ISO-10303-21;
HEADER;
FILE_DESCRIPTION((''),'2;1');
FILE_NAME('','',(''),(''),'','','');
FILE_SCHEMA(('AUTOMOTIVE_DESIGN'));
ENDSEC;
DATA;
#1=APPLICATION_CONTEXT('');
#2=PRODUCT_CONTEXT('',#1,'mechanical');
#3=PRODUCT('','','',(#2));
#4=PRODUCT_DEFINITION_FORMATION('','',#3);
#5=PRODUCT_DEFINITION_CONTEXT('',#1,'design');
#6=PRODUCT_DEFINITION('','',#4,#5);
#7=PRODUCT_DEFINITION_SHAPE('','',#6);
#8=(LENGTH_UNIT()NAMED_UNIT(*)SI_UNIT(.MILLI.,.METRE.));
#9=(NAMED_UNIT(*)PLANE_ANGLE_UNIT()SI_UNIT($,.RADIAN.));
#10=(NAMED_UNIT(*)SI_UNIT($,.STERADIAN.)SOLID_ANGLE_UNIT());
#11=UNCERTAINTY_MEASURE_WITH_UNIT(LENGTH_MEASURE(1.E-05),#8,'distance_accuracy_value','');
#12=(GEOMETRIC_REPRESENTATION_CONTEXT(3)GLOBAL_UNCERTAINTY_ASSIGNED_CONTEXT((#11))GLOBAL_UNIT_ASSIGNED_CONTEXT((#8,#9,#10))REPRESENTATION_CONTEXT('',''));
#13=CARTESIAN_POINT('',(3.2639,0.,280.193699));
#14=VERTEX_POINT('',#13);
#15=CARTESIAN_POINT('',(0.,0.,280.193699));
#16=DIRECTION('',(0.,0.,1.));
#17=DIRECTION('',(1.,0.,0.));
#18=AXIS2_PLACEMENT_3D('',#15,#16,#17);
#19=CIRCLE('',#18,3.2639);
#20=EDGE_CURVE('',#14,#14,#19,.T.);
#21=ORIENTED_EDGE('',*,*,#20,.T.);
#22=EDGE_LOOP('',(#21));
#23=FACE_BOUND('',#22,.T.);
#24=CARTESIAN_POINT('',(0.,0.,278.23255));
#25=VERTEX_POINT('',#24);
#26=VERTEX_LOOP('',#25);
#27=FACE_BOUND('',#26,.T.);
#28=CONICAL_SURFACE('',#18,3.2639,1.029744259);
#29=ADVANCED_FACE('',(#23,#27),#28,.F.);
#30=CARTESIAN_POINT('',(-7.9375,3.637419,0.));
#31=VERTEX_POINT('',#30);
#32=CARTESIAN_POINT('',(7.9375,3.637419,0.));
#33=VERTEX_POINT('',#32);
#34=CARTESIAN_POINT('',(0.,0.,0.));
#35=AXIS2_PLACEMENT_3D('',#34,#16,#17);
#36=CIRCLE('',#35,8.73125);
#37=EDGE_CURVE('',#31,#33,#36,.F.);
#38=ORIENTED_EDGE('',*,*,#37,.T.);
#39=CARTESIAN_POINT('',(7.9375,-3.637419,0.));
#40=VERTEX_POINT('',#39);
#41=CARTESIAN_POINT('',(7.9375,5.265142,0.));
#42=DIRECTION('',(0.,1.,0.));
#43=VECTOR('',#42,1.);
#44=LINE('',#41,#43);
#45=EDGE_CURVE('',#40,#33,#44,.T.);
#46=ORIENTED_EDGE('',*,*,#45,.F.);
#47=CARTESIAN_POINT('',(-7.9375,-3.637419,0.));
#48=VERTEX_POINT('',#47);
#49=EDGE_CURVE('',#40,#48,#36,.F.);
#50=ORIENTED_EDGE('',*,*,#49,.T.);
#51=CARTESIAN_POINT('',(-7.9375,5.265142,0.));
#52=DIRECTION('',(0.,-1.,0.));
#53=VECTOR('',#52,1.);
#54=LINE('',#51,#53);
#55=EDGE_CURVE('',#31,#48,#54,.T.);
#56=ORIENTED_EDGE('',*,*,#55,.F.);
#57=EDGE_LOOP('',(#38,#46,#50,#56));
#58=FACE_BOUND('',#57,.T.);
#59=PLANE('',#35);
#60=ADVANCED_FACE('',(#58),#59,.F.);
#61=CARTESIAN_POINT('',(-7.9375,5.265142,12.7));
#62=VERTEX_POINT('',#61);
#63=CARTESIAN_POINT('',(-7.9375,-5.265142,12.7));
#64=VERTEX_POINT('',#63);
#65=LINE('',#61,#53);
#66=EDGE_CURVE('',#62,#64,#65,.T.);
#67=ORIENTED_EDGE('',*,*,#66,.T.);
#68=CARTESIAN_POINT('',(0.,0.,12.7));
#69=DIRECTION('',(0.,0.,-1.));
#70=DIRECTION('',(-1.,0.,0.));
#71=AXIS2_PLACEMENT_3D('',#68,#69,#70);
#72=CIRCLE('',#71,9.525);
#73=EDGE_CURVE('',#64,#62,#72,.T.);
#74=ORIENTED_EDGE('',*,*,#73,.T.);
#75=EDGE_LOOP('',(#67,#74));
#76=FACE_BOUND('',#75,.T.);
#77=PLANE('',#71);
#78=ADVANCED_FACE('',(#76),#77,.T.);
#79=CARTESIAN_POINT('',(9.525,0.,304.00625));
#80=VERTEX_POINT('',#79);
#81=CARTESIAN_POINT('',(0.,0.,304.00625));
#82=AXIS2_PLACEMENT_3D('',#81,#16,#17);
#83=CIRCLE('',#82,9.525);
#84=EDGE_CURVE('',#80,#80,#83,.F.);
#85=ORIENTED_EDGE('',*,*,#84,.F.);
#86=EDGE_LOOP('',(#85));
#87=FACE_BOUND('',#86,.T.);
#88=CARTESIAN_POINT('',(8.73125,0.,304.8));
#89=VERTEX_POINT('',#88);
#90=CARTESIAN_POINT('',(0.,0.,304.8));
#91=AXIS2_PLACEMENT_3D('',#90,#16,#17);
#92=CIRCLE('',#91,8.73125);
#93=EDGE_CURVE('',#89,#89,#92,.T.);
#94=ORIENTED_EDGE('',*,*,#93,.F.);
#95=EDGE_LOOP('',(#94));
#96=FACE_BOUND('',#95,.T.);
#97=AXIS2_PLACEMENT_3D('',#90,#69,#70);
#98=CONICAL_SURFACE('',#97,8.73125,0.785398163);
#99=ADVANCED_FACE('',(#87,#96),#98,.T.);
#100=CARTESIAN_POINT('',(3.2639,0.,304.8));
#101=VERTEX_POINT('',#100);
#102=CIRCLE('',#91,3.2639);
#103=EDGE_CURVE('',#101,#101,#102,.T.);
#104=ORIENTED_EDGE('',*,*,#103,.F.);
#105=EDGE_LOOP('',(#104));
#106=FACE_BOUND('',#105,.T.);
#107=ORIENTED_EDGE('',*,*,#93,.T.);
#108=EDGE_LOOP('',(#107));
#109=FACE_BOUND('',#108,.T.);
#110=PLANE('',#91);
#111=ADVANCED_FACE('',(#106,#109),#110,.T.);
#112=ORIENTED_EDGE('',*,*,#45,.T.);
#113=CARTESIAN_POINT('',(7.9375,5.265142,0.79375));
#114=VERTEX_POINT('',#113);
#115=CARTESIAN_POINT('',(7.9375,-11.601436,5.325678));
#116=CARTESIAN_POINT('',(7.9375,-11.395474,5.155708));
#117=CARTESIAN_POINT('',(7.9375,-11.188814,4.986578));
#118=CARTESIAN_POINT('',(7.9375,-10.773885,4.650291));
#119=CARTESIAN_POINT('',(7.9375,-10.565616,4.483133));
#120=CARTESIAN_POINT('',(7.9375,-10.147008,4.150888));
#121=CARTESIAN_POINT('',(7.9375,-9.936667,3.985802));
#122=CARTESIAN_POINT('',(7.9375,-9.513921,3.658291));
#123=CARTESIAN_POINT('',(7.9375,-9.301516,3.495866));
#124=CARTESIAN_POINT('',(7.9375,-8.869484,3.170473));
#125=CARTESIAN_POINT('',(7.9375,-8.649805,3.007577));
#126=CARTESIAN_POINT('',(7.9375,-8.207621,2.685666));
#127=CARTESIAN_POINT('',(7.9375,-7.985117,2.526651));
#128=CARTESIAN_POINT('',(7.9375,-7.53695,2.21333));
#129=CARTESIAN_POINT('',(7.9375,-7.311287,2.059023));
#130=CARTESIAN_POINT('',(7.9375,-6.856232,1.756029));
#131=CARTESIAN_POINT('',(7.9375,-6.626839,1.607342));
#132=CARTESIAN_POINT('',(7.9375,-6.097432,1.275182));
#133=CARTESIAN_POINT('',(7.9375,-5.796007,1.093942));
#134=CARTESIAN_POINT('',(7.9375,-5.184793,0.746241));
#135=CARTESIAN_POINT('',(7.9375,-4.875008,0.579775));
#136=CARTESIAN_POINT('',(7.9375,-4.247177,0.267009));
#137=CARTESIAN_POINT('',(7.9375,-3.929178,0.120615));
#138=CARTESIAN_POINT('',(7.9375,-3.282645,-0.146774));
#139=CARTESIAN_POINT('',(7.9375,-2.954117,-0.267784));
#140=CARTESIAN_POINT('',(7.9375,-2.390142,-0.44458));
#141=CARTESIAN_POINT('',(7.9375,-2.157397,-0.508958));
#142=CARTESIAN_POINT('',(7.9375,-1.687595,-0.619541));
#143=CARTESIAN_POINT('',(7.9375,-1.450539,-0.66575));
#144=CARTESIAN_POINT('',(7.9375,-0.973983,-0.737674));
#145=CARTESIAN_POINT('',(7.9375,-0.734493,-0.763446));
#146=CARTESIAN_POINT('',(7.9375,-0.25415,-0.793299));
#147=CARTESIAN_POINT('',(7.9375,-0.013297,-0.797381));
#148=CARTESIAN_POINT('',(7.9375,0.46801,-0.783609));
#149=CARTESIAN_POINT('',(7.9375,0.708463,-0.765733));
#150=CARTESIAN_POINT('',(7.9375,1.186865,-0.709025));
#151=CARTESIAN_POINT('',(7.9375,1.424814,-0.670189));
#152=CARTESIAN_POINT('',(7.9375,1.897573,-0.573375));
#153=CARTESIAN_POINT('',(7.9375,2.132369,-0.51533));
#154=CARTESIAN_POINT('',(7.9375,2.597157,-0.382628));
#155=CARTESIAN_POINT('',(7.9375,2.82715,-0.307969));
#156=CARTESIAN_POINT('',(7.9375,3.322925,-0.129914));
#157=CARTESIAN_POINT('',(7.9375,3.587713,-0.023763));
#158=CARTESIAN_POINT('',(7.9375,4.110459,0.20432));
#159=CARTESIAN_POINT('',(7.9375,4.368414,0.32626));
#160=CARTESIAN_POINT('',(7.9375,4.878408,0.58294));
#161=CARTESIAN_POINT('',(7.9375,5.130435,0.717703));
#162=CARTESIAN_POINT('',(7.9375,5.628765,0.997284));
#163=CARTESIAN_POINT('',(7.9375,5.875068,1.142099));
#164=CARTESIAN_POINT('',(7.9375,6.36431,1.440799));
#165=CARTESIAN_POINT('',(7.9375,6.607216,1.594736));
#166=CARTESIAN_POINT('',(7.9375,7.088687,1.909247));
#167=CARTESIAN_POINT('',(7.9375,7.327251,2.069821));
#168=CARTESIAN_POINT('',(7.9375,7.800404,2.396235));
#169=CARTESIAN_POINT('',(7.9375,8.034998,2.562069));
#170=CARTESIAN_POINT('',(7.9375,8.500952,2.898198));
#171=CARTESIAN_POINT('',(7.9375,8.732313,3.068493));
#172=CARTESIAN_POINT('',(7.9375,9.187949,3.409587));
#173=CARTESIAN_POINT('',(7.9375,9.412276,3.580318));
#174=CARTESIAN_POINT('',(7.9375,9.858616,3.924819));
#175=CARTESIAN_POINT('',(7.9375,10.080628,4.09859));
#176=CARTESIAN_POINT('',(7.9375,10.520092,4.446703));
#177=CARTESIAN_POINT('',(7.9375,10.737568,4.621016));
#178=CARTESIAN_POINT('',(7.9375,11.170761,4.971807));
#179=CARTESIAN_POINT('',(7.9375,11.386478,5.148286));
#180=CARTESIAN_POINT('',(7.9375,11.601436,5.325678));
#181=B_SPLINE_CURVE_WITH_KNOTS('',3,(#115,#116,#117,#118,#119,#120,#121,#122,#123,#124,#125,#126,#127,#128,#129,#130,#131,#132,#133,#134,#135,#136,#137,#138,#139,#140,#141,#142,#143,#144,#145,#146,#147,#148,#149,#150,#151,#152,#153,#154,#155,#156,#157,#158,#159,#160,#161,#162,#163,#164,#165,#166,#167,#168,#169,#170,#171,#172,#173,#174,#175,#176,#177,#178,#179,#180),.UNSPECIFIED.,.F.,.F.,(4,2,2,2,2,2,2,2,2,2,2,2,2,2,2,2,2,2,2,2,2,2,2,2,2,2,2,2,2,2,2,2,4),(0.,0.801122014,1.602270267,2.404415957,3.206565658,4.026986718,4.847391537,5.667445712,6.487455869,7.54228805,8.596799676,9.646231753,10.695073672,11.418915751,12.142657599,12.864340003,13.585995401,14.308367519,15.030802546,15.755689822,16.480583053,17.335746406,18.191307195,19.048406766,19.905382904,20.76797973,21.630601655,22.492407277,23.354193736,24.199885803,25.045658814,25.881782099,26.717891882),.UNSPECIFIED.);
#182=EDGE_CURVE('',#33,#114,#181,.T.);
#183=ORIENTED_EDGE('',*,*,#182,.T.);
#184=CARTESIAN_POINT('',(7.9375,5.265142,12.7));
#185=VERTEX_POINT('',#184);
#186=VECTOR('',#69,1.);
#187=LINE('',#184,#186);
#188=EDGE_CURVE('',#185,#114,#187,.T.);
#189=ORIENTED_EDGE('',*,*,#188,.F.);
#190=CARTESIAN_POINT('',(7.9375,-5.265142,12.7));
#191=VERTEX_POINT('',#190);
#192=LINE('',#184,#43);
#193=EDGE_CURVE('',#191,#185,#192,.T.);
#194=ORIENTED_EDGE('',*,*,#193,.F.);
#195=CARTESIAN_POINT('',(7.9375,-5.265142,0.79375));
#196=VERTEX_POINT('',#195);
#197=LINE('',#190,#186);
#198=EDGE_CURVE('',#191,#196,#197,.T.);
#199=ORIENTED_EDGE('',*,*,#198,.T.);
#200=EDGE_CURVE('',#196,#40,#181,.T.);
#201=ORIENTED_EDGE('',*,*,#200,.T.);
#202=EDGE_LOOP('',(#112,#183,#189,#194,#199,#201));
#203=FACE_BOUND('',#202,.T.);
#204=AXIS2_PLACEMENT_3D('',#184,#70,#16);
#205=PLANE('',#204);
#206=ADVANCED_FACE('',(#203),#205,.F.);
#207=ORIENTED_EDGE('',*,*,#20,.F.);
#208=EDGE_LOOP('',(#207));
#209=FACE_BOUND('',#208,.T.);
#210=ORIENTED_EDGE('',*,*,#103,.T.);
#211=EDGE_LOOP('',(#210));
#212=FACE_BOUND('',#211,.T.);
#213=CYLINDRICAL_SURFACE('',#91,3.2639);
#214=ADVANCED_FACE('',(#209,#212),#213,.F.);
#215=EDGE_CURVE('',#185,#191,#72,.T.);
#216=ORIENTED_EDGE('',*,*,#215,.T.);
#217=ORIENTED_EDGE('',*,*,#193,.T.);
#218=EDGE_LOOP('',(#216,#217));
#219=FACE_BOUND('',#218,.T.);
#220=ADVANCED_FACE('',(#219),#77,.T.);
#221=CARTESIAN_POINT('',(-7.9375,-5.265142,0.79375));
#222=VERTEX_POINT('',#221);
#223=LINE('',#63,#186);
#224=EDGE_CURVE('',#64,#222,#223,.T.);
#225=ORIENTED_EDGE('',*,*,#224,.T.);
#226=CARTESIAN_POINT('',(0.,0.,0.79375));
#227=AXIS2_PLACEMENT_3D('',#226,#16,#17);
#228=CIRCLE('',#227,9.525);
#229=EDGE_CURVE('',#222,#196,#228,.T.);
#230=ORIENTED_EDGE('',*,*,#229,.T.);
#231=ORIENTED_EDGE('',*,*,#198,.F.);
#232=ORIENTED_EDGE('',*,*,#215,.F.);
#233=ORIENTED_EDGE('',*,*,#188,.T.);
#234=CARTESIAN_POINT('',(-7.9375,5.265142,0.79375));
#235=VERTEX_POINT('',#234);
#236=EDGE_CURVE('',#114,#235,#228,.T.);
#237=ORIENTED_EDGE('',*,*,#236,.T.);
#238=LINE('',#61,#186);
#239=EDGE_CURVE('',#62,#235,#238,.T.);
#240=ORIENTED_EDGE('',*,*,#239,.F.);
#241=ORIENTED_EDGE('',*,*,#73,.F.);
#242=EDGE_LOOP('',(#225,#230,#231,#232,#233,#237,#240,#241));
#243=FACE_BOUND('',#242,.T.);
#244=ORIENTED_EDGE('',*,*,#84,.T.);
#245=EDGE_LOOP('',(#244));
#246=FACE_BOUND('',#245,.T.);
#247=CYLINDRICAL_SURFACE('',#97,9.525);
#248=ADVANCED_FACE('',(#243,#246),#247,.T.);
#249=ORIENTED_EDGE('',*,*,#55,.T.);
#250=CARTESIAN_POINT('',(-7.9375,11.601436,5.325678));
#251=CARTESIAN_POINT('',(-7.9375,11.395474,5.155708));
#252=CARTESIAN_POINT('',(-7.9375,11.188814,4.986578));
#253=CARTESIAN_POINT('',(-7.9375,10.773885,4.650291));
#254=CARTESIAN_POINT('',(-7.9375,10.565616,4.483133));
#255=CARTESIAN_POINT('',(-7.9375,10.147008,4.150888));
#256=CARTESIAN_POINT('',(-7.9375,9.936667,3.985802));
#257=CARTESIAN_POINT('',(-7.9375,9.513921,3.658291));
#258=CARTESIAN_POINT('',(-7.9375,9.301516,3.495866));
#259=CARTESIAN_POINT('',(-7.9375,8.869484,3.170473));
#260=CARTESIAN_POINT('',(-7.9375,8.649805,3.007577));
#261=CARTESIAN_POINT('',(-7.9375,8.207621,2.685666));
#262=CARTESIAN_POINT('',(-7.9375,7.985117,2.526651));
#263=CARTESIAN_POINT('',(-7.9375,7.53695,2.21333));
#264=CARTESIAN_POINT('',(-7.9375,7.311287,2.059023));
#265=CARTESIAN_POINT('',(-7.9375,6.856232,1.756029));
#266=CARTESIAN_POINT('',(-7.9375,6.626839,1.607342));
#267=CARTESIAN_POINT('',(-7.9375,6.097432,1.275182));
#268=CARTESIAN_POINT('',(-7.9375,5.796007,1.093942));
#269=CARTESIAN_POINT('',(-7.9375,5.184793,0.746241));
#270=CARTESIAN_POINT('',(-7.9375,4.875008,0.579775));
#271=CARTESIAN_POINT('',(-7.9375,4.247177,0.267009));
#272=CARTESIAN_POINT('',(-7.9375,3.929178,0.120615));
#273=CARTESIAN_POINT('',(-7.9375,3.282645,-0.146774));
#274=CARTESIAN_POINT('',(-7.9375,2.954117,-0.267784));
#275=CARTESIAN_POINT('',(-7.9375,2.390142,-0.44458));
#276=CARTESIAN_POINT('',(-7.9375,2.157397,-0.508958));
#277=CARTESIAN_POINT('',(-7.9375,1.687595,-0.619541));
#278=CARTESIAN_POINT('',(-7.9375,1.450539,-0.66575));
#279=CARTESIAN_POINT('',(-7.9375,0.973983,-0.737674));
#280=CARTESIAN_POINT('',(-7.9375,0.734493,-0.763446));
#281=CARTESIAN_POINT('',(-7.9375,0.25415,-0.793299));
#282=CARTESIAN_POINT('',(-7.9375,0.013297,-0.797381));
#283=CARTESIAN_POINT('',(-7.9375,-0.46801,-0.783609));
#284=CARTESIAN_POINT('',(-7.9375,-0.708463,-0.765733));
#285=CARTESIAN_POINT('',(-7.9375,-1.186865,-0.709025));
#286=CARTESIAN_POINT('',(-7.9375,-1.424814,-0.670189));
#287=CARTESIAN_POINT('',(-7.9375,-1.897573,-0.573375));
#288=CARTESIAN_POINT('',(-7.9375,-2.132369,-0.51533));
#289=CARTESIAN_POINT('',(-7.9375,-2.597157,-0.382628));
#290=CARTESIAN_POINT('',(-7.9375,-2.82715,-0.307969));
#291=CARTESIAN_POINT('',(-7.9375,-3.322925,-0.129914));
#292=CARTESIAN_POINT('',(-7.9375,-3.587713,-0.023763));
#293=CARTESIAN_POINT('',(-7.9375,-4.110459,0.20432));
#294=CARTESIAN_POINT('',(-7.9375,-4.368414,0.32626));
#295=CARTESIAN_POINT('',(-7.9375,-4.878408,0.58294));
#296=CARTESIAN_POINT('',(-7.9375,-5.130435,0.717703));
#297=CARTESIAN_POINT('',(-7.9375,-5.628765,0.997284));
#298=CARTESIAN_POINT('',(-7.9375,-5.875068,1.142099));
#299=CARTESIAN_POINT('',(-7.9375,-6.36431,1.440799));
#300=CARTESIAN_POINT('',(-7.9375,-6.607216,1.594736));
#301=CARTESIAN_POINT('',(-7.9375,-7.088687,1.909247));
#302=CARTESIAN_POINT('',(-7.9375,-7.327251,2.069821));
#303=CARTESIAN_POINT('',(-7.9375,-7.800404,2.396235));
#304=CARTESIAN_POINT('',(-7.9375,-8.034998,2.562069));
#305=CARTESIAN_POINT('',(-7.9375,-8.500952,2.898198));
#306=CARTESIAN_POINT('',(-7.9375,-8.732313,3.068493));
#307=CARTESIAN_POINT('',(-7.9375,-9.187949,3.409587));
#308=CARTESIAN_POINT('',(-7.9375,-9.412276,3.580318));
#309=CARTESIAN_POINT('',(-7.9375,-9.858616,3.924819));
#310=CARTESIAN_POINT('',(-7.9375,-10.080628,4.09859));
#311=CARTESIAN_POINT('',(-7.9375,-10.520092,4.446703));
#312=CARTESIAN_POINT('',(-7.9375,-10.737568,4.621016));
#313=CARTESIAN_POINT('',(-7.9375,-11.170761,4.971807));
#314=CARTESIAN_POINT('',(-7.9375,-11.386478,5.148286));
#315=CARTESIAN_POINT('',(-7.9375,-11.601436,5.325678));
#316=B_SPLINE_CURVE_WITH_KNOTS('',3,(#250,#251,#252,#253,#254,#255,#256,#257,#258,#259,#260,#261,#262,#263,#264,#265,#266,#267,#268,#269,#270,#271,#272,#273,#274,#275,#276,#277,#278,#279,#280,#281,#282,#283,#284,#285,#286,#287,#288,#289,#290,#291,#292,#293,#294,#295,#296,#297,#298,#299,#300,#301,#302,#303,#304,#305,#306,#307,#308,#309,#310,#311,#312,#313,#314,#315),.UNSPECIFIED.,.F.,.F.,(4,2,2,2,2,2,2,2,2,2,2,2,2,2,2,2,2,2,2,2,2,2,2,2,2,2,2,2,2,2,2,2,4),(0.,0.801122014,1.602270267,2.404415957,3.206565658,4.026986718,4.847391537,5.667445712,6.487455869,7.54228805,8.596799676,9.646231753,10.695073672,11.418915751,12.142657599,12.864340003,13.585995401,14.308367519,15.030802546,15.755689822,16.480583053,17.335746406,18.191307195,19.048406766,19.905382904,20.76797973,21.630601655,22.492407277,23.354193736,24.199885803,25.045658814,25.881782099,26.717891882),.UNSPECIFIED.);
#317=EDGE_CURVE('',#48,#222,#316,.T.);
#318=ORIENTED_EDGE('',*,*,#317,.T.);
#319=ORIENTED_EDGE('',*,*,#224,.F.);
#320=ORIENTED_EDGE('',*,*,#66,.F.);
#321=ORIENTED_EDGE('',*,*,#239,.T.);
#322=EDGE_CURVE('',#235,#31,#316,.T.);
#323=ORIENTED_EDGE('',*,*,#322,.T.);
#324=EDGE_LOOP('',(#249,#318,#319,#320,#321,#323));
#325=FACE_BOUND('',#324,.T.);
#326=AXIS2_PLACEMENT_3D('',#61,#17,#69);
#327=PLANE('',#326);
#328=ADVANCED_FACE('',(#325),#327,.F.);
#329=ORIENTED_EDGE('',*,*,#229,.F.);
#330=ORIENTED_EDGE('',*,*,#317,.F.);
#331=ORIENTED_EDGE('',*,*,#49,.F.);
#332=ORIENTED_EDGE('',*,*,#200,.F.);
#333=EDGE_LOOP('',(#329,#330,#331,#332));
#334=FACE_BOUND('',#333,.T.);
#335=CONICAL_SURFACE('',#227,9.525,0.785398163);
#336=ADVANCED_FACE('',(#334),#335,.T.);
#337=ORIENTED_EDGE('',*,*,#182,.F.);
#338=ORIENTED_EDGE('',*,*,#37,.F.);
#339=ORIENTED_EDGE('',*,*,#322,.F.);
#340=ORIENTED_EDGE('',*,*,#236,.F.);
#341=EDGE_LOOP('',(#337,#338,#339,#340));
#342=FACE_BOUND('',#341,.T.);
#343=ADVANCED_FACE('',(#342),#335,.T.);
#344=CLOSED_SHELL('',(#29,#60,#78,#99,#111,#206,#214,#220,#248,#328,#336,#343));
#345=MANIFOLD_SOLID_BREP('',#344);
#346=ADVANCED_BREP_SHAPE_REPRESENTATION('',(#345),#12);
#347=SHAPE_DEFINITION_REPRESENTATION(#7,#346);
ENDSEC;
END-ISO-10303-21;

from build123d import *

# Parameters (mm, degrees)
SKETCH1_R                    = 9.525
EXTRUDE1_DEPTH               = 304.8
CHAMFER1_SIZE                = 0.79375
F_5_16_18_TAPPED_HOLE1_D     = 6.5278
F_5_16_18_TAPPED_HOLE1_DEPTH = 24.6063008
F_5_16_18_TAPPED_HOLE1_TIP   = 1.961148974
CUT_EXTRUDE1_DEPTH           = 12.7


with BuildPart() as part:
    # Sketch1 → Extrude1 (new body)
    with BuildSketch(Plane.XY):
        with Locations(Location((0, 0, 0), (0, 0, 180))):
            Circle(SKETCH1_R)
    extrude(amount=EXTRUDE1_DEPTH)

    # Chamfer1
    chamfer1_edges = [part.edges().sort_by_distance(p)[0] for p in [
        (9.525, 0, 0),
        (9.525, 0, 304.8),
    ]]
    chamfer(chamfer1_edges, length=CHAMFER1_SIZE)

    # 5/16-18 Tapped Hole1
    with Locations(Plane.XY.offset(304.8)):
        with Locations((0, 0)):
            Hole(F_5_16_18_TAPPED_HOLE1_D / 2, depth=F_5_16_18_TAPPED_HOLE1_DEPTH)
            with Locations((0, 0, -(F_5_16_18_TAPPED_HOLE1_DEPTH + F_5_16_18_TAPPED_HOLE1_TIP / 2))):  # 118° drill point
                Cone(0, F_5_16_18_TAPPED_HOLE1_D / 2, F_5_16_18_TAPPED_HOLE1_TIP, mode=Mode.SUBTRACT)

    # Sketch4 → Cut-Extrude1 (cut)
    with BuildSketch(Plane(origin=(0, 0, 0), x_dir=(-1, 0, 0), z_dir=(0, 0, -1))):
        with BuildLine():
            Line((-7.9375, 5.265141855), (-7.9375, -5.265141855))
            ThreePointArc((-7.9375, -5.265141855), (-9.525, 0), (-7.9375, 5.265141855))
        make_face()
        with BuildLine():
            Line((7.9375, 5.265141855), (7.9375, -5.265141855))
            ThreePointArc((7.9375, -5.265141855), (9.525, 0), (7.9375, 5.265141855))
        make_face()
    extrude(amount=-CUT_EXTRUDE1_DEPTH, mode=Mode.SUBTRACT)


solid = part.part
